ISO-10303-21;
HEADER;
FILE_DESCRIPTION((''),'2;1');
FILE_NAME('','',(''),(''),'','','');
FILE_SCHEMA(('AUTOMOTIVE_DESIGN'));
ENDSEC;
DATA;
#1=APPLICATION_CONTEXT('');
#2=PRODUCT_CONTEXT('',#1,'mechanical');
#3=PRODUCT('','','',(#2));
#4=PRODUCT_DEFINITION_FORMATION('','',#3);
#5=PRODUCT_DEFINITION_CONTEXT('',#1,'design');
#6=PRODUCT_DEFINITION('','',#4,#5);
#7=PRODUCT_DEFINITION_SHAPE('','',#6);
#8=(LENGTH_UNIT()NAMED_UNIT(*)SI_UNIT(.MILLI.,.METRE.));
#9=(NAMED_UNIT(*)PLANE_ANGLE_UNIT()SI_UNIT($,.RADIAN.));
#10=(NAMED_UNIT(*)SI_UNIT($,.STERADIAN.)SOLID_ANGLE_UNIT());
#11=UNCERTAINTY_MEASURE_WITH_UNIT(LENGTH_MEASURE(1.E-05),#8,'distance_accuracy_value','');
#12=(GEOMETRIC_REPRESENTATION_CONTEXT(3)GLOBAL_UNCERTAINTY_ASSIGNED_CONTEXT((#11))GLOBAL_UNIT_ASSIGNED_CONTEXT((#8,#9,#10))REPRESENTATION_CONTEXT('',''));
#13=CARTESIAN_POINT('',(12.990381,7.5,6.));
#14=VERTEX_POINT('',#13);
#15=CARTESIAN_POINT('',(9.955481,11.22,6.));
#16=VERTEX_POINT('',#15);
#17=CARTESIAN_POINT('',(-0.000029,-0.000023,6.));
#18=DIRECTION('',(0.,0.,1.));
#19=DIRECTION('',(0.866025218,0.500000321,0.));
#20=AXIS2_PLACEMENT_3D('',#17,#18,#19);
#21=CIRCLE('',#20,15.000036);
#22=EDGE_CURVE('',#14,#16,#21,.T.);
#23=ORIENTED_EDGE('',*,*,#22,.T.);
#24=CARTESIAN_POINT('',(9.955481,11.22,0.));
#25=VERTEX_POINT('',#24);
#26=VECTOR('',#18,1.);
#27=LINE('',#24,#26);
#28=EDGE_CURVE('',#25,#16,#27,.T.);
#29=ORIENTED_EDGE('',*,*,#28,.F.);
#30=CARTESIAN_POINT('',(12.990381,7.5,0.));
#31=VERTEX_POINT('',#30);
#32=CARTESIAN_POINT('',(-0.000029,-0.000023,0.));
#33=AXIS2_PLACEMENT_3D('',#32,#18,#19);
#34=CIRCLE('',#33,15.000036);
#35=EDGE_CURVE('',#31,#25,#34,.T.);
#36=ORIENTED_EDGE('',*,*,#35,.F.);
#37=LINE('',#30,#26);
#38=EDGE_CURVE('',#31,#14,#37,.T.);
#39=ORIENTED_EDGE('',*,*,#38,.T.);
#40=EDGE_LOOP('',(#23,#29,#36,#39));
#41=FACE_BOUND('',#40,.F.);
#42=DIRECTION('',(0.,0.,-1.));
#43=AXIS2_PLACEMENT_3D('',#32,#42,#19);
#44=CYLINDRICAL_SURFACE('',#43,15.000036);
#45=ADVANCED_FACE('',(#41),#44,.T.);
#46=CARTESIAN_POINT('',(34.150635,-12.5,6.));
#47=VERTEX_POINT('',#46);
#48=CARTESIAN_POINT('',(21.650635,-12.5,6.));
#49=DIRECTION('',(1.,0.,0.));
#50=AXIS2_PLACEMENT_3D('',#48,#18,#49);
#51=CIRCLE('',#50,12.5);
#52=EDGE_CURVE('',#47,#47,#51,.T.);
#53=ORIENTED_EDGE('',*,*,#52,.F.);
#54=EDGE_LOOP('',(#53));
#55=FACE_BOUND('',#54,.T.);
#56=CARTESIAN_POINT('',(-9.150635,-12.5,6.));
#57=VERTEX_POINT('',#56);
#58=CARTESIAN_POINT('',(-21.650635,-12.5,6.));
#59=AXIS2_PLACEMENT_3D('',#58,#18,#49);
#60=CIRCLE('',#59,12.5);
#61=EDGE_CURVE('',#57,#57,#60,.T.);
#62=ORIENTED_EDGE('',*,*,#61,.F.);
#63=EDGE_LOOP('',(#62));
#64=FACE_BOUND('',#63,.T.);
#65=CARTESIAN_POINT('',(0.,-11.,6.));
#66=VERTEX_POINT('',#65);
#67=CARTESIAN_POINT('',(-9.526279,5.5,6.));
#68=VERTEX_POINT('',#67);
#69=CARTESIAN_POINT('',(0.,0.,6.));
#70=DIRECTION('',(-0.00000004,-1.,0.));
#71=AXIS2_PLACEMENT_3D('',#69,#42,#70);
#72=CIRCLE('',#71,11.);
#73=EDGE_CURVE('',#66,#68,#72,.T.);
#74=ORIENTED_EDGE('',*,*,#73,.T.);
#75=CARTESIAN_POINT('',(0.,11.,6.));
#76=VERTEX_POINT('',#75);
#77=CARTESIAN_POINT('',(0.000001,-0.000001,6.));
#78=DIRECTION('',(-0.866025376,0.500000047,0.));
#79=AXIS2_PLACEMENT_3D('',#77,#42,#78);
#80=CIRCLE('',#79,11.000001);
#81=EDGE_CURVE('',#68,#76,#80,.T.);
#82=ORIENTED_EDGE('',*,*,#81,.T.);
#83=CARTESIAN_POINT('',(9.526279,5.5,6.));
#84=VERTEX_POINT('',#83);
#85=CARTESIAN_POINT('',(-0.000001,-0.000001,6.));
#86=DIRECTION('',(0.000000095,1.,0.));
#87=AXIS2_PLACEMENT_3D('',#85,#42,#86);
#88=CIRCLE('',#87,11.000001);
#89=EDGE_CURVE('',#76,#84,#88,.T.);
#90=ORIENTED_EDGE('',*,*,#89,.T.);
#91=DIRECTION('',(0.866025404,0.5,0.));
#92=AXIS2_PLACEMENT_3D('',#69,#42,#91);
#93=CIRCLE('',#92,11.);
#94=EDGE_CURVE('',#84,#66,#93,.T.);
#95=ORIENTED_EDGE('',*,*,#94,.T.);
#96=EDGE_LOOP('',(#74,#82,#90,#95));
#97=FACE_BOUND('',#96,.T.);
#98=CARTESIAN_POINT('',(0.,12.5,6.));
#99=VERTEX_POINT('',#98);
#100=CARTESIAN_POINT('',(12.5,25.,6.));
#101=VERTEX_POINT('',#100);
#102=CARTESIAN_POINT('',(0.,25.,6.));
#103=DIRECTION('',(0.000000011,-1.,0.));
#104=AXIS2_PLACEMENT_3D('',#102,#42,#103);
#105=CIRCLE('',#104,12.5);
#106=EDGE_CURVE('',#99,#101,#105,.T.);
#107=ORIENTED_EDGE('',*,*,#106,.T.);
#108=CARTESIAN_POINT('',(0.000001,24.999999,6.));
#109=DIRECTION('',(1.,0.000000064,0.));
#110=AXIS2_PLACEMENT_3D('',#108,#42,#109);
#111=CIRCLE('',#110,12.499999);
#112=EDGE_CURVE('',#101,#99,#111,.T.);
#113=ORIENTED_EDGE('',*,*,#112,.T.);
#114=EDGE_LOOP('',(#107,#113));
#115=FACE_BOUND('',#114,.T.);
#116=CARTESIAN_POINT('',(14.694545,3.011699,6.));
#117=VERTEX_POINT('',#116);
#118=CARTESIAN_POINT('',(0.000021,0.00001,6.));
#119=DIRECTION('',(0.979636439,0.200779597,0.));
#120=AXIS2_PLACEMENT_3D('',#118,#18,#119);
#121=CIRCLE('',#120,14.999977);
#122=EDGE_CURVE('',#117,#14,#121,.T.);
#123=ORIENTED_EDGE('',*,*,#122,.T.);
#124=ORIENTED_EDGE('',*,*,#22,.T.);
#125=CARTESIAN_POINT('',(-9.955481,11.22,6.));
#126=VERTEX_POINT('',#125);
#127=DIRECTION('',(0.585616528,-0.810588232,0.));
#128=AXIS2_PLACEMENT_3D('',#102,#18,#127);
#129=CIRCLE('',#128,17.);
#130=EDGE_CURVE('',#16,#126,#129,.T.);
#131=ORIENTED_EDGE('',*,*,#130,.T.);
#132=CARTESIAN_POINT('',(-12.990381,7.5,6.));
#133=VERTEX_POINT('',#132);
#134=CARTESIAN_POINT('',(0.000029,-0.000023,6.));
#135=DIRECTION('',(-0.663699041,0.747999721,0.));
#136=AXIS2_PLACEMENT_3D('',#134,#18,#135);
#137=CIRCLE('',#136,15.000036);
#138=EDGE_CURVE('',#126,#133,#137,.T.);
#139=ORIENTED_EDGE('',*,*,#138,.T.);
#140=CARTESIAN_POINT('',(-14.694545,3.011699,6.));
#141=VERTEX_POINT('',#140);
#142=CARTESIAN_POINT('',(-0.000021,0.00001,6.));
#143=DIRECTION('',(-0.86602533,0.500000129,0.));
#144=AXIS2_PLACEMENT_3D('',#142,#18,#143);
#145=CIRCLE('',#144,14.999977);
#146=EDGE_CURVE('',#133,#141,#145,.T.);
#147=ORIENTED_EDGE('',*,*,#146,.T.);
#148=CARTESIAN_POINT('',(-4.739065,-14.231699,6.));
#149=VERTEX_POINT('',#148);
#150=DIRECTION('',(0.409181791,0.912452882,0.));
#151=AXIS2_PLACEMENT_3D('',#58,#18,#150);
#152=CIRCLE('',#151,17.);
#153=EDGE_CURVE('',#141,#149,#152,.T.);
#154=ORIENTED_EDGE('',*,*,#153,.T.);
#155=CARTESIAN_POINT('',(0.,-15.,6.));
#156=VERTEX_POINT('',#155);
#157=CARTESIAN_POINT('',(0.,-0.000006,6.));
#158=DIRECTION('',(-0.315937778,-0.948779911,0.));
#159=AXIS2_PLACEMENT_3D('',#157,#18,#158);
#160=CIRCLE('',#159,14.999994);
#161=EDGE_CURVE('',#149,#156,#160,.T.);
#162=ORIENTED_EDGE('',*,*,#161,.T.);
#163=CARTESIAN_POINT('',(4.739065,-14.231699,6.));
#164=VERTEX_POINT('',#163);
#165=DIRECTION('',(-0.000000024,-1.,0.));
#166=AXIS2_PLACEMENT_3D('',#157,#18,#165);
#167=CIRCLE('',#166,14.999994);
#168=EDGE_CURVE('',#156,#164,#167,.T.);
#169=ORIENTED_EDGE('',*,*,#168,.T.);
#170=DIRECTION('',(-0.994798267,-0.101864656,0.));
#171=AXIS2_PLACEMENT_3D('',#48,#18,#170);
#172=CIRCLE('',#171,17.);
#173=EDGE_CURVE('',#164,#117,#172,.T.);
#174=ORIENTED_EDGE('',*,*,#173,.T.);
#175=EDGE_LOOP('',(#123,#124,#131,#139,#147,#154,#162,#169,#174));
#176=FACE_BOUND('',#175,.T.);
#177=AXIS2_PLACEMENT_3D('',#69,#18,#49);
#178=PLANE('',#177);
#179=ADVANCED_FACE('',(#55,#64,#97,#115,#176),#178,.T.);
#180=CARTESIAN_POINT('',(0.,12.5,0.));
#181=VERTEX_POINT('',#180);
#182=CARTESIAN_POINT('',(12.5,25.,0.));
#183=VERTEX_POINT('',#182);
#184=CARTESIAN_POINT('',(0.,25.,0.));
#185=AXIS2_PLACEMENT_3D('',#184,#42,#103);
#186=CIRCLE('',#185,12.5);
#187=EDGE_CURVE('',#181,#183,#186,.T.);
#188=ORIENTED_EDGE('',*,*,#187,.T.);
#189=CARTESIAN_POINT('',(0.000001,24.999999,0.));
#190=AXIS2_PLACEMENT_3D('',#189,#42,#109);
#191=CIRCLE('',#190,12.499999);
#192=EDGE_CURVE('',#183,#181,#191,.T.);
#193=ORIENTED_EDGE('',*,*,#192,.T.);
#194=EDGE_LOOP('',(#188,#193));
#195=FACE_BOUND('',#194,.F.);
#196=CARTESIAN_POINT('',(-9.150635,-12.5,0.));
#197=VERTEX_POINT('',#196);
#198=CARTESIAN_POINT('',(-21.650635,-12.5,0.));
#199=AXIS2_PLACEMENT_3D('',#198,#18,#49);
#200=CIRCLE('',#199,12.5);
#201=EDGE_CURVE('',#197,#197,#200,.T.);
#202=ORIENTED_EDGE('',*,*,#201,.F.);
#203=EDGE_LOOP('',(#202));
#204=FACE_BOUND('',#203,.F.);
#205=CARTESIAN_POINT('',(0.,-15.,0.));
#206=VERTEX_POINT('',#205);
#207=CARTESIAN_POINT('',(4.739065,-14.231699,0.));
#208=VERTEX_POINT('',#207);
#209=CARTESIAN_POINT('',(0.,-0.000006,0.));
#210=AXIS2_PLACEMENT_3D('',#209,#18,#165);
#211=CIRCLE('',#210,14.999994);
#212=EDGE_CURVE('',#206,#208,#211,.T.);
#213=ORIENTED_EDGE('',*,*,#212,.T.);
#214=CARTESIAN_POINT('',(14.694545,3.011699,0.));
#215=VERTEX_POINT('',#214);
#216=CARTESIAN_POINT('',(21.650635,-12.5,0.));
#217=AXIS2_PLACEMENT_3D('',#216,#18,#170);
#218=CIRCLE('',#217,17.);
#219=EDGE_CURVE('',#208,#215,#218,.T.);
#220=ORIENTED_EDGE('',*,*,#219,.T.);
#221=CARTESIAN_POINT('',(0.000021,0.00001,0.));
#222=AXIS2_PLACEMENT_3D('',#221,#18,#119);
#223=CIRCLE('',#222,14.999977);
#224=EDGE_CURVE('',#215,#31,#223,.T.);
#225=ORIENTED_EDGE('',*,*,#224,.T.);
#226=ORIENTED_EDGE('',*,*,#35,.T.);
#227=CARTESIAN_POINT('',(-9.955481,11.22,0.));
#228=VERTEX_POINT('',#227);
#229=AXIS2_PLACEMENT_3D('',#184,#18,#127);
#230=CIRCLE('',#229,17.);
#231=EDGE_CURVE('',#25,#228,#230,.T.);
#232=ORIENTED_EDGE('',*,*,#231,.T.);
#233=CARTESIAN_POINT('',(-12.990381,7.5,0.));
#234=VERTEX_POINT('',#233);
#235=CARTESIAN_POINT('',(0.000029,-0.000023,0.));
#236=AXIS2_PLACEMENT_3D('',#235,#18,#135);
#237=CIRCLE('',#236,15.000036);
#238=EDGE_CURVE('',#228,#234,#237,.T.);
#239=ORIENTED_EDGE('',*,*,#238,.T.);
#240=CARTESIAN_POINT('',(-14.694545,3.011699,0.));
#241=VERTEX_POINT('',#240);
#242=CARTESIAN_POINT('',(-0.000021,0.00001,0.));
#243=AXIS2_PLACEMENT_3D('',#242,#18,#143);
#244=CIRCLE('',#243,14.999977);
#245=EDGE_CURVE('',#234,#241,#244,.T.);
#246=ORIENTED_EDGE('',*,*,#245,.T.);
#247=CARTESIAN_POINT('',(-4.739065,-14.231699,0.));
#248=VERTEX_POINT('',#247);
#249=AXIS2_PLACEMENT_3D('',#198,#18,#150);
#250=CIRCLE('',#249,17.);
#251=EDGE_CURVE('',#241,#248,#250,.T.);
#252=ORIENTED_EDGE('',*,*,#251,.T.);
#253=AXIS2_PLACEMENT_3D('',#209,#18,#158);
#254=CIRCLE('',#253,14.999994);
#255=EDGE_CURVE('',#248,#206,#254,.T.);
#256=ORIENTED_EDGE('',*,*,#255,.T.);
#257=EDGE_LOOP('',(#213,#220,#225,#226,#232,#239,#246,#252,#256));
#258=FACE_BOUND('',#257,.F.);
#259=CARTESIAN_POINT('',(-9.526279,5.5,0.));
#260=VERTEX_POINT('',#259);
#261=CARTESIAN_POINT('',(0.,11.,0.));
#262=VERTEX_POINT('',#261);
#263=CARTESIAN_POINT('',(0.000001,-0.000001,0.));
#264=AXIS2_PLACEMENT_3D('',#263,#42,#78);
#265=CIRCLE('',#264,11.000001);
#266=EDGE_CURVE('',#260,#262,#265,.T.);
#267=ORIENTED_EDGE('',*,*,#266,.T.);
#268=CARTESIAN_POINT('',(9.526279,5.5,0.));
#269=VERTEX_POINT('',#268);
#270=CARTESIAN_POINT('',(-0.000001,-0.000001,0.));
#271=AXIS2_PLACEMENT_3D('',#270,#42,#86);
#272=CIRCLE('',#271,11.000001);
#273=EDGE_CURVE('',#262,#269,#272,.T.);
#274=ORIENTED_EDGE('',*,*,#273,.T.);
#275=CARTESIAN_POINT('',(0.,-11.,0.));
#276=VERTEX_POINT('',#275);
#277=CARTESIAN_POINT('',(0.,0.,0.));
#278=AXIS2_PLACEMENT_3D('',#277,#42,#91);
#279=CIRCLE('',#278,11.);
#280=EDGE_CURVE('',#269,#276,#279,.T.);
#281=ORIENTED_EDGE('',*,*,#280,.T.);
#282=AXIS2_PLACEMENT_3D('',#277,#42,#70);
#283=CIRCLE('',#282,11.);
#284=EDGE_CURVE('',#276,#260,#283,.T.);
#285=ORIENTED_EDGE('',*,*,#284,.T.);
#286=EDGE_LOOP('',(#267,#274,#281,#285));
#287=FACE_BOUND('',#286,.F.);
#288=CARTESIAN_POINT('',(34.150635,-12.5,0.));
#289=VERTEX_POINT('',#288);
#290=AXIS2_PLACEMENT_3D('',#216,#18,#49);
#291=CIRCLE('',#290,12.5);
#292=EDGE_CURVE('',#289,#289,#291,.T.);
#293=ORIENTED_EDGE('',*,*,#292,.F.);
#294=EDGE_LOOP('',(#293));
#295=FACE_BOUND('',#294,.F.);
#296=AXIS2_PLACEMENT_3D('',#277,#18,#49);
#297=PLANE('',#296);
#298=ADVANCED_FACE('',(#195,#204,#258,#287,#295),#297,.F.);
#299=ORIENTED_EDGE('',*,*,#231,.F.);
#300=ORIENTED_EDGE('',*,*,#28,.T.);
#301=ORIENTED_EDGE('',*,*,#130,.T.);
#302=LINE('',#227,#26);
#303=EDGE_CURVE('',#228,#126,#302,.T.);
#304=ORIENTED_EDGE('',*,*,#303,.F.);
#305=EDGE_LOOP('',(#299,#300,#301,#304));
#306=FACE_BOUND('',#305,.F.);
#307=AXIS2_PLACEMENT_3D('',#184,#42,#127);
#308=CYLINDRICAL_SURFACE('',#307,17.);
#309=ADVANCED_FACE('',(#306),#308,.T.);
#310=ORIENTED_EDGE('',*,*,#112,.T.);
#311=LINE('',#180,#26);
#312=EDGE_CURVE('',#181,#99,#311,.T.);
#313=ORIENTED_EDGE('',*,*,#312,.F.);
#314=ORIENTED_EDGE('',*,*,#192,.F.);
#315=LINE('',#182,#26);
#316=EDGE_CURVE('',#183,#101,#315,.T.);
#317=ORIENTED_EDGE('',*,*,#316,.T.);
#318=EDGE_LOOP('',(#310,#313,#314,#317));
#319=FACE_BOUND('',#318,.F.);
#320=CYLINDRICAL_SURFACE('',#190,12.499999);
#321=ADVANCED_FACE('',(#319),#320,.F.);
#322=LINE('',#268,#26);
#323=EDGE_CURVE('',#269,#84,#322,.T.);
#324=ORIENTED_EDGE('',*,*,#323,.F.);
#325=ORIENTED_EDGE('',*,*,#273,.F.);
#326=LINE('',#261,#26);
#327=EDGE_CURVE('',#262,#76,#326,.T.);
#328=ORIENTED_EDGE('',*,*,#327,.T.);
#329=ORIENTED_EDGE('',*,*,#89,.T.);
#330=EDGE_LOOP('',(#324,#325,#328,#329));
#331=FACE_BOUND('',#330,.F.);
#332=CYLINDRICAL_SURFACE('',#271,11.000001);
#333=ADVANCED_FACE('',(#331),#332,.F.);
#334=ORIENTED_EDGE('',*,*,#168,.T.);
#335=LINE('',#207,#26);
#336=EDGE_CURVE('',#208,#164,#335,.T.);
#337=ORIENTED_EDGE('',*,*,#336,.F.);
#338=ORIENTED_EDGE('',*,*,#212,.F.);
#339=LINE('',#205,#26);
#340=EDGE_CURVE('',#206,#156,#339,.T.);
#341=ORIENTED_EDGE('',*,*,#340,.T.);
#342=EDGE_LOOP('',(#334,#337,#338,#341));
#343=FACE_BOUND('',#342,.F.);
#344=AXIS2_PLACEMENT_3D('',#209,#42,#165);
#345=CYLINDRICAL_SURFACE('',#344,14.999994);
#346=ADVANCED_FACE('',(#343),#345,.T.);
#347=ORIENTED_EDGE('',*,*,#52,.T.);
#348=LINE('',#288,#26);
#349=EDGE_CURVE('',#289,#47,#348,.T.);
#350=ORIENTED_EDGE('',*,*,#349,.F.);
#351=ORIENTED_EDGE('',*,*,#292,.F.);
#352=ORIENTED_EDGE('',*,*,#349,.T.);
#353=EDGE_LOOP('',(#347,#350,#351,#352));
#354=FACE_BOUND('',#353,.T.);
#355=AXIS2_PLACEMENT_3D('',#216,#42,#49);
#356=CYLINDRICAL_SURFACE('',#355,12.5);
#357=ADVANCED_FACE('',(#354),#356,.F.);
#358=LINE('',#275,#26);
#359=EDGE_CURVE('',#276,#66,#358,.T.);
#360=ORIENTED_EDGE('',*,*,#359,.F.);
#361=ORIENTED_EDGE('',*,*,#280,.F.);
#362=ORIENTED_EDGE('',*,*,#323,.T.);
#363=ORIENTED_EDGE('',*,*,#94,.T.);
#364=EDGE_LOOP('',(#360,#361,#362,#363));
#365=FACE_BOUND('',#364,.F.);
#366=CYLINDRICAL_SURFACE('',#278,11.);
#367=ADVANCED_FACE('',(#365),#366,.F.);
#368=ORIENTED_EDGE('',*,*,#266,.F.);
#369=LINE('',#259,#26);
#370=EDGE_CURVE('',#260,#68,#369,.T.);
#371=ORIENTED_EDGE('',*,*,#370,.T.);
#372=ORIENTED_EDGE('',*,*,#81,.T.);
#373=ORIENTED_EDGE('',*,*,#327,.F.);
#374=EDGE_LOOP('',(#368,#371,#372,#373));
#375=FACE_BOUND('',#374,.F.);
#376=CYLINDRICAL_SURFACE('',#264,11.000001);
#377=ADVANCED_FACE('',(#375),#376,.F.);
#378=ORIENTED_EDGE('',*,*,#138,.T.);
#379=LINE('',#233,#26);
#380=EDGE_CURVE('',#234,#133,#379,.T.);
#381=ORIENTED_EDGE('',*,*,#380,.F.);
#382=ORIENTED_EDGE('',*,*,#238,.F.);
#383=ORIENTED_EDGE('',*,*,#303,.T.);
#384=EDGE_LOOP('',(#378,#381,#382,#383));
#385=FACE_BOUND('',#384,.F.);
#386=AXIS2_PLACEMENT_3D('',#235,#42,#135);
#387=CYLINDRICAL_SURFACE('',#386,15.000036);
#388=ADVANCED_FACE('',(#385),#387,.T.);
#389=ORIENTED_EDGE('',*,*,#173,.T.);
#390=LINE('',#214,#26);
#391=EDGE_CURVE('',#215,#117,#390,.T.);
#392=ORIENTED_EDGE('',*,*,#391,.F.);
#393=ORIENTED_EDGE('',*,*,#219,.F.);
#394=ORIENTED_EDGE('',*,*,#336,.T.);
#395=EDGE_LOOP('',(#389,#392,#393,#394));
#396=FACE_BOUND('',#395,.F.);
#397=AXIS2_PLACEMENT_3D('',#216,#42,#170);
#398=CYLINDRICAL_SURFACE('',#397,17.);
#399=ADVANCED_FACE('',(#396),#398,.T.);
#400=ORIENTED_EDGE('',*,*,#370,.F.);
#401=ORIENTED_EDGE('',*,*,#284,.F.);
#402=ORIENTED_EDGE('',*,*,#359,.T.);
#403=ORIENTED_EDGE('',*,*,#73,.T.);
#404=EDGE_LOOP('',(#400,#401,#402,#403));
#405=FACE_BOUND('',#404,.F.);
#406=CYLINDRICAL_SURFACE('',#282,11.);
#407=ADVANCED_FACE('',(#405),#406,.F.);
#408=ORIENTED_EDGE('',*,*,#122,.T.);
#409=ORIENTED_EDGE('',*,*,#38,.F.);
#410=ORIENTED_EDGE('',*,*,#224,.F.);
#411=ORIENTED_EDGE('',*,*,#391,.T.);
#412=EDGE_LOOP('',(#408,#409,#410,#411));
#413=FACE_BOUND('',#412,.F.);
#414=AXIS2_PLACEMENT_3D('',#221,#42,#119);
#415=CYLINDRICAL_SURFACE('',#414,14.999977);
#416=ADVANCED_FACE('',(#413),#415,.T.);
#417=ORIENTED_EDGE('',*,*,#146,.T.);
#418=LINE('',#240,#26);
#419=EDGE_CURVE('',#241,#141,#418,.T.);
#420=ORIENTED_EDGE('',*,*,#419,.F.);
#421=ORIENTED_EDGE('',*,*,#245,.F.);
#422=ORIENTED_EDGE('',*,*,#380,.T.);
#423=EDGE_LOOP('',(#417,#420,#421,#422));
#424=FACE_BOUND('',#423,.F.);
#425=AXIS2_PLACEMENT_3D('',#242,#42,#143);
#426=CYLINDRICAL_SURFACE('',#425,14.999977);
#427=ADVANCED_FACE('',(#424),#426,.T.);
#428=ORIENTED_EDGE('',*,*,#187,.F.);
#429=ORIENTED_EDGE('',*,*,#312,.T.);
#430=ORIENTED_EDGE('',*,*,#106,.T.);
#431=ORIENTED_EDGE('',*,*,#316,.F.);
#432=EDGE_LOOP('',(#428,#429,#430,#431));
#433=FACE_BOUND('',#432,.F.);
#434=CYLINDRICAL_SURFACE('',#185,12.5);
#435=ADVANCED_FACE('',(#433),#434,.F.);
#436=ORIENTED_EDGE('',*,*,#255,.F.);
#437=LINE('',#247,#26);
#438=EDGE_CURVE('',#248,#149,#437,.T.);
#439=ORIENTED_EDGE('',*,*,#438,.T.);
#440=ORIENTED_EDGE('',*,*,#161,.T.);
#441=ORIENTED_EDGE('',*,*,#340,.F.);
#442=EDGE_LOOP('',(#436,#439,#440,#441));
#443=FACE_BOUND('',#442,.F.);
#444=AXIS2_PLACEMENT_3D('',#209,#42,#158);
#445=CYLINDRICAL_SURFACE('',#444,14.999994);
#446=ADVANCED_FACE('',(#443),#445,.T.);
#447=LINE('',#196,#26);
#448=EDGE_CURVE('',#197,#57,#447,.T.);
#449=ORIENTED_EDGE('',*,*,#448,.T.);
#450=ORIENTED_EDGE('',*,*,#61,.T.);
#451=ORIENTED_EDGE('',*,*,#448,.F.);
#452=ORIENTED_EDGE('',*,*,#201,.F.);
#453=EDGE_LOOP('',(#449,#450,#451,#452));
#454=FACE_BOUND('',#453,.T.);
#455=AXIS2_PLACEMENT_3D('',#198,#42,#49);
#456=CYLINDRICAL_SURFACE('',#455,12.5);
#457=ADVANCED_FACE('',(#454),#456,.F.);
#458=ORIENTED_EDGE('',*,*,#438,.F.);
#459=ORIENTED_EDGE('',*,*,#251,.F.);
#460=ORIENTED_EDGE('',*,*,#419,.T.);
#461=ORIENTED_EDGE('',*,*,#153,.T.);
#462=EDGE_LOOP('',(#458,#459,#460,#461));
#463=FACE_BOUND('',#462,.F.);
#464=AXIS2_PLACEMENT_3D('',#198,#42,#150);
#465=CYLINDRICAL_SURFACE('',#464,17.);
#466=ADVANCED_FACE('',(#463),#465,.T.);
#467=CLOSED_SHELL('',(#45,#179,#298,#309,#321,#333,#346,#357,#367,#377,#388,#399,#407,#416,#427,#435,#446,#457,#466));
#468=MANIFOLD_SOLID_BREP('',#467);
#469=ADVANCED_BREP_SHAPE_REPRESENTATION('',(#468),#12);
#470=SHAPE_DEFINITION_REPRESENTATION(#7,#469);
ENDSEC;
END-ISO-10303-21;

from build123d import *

# Parameters (mm, degrees)
F0_R     = 12.5
F1_DEPTH = 6


with BuildPart() as f1:
    # F0 (on Top) → F1 (new body)
    with BuildSketch(Plane.XY):
        with BuildLine():
            ThreePointArc((9.955481, 11.22), (0, 42), (-9.955481, 11.22))
            ThreePointArc((-9.955481, 11.22), (-11.622725, 9.482207), (-12.990381, 7.5))
            ThreePointArc((-12.990381, 7.5), (-14.023195, 5.324472), (-14.694545, 3.011699))
            ThreePointArc((-14.694545, 3.011699), (-36.373067, -21), (-4.739065, -14.231699))
            ThreePointArc((-4.739065, -14.231699), (-2.40047, -14.806679), (0, -15))
            ThreePointArc((0, -15), (2.40047, -14.806679), (4.739065, -14.231699))
            ThreePointArc((4.739065, -14.231699), (36.373067, -21), (14.694545, 3.011699))
            ThreePointArc((14.694545, 3.011699), (14.023195, 5.324472), (12.990381, 7.5))
            ThreePointArc((12.990381, 7.5), (11.622725, 9.482207), (9.955481, 11.22))
        make_face()
        with Locations((-21.650635, -12.5)):
            Circle(F0_R, mode=Mode.SUBTRACT)
        with Locations((21.650635, -12.5)):
            Circle(F0_R, mode=Mode.SUBTRACT)
        with BuildLine():
            ThreePointArc((0, 11), (5.5, 9.526279), (9.526279, 5.5))
            ThreePointArc((9.526279, 5.5), (9.526279, -5.5), (0, -11))
            ThreePointArc((0, -11), (-9.526279, -5.5), (-9.526279, 5.5))
            ThreePointArc((-9.526279, 5.5), (-5.5, 9.526279), (0, 11))
        make_face(mode=Mode.SUBTRACT)
        with BuildLine():
            ThreePointArc((12.5, 25), (8.838835, 16.161165), (0, 12.5))
            ThreePointArc((0, 12.5), (-8.838835, 33.838835), (12.5, 25))
        make_face(mode=Mode.SUBTRACT)
    extrude(amount=F1_DEPTH)


solid = f1.part
